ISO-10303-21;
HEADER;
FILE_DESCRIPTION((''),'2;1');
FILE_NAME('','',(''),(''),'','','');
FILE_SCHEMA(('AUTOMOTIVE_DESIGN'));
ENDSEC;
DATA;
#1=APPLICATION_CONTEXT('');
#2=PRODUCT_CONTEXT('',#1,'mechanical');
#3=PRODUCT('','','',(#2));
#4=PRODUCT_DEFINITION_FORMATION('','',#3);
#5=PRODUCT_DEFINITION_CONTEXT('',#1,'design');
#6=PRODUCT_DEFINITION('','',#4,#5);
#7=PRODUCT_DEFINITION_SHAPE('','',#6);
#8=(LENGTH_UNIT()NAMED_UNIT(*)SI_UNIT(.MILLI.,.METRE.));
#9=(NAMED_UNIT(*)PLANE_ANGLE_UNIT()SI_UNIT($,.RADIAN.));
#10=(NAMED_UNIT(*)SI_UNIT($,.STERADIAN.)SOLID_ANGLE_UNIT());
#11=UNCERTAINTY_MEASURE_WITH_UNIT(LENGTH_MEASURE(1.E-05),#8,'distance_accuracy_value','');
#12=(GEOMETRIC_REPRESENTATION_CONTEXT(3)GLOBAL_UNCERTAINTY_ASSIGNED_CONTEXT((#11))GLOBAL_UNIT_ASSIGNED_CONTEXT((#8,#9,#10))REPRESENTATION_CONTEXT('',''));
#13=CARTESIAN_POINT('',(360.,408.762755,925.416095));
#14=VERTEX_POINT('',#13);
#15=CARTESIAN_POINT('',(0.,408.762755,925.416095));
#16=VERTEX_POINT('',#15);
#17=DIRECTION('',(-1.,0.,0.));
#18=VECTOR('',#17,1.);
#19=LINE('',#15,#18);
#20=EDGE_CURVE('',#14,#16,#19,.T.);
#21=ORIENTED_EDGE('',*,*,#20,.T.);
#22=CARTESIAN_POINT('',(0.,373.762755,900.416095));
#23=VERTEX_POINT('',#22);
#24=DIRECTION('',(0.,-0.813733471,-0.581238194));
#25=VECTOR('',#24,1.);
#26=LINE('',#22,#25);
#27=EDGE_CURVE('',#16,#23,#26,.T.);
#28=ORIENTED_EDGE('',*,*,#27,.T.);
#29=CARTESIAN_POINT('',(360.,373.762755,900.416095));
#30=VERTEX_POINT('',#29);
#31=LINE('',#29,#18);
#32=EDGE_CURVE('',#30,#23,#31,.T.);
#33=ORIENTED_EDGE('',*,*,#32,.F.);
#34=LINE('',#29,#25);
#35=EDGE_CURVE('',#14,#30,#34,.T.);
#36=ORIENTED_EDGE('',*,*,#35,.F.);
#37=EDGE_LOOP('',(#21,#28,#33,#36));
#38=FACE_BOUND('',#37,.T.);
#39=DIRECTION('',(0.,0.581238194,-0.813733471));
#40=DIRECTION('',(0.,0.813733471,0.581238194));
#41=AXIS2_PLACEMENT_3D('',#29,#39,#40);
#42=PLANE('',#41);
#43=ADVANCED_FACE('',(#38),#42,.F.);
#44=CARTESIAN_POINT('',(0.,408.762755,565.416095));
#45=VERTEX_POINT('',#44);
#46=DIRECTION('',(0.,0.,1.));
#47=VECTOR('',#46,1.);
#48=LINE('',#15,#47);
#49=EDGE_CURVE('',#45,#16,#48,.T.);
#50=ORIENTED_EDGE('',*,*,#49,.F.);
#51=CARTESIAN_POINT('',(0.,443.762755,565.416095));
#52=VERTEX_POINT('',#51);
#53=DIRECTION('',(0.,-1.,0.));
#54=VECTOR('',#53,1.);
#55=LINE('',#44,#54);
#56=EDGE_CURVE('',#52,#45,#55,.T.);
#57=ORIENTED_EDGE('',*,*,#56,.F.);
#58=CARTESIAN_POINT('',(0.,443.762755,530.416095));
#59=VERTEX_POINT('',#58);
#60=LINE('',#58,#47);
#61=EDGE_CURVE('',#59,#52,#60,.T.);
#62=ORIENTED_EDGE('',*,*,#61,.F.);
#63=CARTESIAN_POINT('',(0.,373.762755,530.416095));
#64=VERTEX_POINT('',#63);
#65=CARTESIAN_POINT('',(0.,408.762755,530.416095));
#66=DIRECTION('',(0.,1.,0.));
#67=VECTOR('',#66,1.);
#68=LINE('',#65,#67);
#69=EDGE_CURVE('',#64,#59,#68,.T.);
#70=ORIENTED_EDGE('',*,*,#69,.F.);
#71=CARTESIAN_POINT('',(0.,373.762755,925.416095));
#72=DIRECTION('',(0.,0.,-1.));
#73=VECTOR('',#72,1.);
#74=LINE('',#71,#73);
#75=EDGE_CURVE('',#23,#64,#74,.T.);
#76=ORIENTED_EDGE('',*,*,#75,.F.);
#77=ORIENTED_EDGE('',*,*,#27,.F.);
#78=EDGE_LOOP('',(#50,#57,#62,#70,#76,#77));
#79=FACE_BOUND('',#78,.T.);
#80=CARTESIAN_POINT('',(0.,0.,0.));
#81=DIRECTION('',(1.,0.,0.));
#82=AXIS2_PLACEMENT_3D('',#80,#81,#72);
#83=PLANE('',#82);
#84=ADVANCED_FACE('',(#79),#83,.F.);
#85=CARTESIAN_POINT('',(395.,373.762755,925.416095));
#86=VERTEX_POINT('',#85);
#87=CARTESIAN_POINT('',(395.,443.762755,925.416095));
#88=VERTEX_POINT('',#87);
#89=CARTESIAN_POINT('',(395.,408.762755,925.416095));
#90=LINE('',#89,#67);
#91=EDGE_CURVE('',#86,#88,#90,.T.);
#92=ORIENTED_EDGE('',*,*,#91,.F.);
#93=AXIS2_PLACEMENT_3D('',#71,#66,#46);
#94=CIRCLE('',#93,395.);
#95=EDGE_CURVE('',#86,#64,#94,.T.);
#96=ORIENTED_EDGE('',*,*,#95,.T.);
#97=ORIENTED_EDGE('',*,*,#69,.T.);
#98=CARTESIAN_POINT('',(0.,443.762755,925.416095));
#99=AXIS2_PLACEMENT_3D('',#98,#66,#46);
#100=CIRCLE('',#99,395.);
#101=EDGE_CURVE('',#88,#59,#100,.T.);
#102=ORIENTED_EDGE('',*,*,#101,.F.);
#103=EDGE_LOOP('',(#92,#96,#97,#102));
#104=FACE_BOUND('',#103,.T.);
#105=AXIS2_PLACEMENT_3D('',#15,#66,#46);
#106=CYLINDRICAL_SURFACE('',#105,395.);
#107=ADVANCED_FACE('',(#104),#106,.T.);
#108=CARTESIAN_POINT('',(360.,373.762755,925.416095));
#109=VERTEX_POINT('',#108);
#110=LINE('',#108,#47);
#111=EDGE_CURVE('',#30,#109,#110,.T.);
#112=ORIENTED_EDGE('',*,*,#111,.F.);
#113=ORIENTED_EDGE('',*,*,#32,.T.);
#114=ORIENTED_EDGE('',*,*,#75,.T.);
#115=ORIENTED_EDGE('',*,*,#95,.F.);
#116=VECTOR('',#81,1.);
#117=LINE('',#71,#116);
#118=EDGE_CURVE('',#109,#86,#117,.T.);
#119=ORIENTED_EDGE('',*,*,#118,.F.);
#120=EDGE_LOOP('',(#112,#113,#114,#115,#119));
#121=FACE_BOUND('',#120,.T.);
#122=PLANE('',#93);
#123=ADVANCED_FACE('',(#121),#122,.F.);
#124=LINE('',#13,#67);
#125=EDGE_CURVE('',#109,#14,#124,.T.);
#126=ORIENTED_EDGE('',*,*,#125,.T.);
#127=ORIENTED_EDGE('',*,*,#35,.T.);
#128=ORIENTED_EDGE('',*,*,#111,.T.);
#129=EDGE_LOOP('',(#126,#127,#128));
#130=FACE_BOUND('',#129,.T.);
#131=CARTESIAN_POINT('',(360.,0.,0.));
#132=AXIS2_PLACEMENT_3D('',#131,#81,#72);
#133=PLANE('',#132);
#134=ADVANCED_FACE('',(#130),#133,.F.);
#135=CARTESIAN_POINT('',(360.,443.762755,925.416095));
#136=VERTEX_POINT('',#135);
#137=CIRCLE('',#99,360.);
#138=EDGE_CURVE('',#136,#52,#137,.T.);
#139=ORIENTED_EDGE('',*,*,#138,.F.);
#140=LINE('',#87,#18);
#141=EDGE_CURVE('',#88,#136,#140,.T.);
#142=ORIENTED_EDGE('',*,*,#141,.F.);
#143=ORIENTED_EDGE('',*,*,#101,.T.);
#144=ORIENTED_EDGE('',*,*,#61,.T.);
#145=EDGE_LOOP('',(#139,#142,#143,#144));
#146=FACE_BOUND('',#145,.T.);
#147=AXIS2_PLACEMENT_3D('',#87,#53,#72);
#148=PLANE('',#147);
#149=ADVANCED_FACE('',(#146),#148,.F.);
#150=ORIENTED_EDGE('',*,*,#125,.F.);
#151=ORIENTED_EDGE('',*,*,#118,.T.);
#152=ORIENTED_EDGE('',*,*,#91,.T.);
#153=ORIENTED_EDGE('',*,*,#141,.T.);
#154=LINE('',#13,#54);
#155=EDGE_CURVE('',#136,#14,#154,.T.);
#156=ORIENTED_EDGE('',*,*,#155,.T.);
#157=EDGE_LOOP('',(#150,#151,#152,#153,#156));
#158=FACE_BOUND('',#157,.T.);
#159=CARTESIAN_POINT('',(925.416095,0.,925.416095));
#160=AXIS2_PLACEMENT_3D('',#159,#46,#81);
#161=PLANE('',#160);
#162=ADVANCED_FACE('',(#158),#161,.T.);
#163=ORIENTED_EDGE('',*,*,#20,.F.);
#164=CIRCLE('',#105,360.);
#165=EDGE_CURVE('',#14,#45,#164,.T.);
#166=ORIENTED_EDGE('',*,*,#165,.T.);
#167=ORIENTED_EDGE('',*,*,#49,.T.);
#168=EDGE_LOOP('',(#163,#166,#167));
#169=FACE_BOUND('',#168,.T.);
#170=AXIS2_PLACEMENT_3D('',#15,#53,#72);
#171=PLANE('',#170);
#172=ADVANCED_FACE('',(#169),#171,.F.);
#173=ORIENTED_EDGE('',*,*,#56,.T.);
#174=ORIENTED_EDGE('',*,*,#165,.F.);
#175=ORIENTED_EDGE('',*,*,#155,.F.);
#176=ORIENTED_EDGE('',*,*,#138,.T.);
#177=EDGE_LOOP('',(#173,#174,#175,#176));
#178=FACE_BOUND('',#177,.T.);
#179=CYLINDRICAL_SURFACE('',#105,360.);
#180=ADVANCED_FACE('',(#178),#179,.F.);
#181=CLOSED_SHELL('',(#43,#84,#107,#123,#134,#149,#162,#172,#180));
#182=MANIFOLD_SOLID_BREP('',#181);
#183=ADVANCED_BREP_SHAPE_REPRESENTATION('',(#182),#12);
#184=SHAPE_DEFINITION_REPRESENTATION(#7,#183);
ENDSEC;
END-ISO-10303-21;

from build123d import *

# Parameters (mm, degrees)
CROQUIS3_W            = 395
CROQUIS3_H            = 35
REVOLUCI_N1_ANGLE     = 90
CROQUIS5_W            = 35
CROQUIS5_H            = 35
REVOLUCI_N3_ANGLE     = 90
CORTAR_EXTRUIR5_DEPTH = 360


with BuildPart() as part:
    # Croquis3 → Revolución1 (revolve)
    with BuildSketch(Plane(origin=(0, 0, 0), x_dir=(0, 0, -1), z_dir=(1, 0, 0))):
        with Locations((-727.916095406, 391.262754858)):
            Rectangle(CROQUIS3_W, CROQUIS3_H)
    revolve(axis=Axis((0, 408.762754858, 925.416095406), (0, -1, 0)), revolution_arc=REVOLUCI_N1_ANGLE)

    # Croquis5 → Revolución3 (revolve)
    with BuildSketch(Plane(origin=(0, 0, 0), x_dir=(0, 0, -1), z_dir=(1, 0, 0))):
        with Locations((-547.916095406, 426.262754858)):
            Rectangle(CROQUIS5_W, CROQUIS5_H)
    revolve(axis=Axis((0, 408.762754858, 925.416095406), (0, -1, 0)), revolution_arc=REVOLUCI_N3_ANGLE)

    # Croquis17 → Cortar-Extruir5 (cut)
    with BuildSketch(Plane.ZY):
        Polygon((925.416095406, 373.762754858), (900.416095406, 373.762754858), (925.416095406, 408.762754858), align=None)
    extrude(amount=-CORTAR_EXTRUIR5_DEPTH, mode=Mode.SUBTRACT)


solid = part.part
